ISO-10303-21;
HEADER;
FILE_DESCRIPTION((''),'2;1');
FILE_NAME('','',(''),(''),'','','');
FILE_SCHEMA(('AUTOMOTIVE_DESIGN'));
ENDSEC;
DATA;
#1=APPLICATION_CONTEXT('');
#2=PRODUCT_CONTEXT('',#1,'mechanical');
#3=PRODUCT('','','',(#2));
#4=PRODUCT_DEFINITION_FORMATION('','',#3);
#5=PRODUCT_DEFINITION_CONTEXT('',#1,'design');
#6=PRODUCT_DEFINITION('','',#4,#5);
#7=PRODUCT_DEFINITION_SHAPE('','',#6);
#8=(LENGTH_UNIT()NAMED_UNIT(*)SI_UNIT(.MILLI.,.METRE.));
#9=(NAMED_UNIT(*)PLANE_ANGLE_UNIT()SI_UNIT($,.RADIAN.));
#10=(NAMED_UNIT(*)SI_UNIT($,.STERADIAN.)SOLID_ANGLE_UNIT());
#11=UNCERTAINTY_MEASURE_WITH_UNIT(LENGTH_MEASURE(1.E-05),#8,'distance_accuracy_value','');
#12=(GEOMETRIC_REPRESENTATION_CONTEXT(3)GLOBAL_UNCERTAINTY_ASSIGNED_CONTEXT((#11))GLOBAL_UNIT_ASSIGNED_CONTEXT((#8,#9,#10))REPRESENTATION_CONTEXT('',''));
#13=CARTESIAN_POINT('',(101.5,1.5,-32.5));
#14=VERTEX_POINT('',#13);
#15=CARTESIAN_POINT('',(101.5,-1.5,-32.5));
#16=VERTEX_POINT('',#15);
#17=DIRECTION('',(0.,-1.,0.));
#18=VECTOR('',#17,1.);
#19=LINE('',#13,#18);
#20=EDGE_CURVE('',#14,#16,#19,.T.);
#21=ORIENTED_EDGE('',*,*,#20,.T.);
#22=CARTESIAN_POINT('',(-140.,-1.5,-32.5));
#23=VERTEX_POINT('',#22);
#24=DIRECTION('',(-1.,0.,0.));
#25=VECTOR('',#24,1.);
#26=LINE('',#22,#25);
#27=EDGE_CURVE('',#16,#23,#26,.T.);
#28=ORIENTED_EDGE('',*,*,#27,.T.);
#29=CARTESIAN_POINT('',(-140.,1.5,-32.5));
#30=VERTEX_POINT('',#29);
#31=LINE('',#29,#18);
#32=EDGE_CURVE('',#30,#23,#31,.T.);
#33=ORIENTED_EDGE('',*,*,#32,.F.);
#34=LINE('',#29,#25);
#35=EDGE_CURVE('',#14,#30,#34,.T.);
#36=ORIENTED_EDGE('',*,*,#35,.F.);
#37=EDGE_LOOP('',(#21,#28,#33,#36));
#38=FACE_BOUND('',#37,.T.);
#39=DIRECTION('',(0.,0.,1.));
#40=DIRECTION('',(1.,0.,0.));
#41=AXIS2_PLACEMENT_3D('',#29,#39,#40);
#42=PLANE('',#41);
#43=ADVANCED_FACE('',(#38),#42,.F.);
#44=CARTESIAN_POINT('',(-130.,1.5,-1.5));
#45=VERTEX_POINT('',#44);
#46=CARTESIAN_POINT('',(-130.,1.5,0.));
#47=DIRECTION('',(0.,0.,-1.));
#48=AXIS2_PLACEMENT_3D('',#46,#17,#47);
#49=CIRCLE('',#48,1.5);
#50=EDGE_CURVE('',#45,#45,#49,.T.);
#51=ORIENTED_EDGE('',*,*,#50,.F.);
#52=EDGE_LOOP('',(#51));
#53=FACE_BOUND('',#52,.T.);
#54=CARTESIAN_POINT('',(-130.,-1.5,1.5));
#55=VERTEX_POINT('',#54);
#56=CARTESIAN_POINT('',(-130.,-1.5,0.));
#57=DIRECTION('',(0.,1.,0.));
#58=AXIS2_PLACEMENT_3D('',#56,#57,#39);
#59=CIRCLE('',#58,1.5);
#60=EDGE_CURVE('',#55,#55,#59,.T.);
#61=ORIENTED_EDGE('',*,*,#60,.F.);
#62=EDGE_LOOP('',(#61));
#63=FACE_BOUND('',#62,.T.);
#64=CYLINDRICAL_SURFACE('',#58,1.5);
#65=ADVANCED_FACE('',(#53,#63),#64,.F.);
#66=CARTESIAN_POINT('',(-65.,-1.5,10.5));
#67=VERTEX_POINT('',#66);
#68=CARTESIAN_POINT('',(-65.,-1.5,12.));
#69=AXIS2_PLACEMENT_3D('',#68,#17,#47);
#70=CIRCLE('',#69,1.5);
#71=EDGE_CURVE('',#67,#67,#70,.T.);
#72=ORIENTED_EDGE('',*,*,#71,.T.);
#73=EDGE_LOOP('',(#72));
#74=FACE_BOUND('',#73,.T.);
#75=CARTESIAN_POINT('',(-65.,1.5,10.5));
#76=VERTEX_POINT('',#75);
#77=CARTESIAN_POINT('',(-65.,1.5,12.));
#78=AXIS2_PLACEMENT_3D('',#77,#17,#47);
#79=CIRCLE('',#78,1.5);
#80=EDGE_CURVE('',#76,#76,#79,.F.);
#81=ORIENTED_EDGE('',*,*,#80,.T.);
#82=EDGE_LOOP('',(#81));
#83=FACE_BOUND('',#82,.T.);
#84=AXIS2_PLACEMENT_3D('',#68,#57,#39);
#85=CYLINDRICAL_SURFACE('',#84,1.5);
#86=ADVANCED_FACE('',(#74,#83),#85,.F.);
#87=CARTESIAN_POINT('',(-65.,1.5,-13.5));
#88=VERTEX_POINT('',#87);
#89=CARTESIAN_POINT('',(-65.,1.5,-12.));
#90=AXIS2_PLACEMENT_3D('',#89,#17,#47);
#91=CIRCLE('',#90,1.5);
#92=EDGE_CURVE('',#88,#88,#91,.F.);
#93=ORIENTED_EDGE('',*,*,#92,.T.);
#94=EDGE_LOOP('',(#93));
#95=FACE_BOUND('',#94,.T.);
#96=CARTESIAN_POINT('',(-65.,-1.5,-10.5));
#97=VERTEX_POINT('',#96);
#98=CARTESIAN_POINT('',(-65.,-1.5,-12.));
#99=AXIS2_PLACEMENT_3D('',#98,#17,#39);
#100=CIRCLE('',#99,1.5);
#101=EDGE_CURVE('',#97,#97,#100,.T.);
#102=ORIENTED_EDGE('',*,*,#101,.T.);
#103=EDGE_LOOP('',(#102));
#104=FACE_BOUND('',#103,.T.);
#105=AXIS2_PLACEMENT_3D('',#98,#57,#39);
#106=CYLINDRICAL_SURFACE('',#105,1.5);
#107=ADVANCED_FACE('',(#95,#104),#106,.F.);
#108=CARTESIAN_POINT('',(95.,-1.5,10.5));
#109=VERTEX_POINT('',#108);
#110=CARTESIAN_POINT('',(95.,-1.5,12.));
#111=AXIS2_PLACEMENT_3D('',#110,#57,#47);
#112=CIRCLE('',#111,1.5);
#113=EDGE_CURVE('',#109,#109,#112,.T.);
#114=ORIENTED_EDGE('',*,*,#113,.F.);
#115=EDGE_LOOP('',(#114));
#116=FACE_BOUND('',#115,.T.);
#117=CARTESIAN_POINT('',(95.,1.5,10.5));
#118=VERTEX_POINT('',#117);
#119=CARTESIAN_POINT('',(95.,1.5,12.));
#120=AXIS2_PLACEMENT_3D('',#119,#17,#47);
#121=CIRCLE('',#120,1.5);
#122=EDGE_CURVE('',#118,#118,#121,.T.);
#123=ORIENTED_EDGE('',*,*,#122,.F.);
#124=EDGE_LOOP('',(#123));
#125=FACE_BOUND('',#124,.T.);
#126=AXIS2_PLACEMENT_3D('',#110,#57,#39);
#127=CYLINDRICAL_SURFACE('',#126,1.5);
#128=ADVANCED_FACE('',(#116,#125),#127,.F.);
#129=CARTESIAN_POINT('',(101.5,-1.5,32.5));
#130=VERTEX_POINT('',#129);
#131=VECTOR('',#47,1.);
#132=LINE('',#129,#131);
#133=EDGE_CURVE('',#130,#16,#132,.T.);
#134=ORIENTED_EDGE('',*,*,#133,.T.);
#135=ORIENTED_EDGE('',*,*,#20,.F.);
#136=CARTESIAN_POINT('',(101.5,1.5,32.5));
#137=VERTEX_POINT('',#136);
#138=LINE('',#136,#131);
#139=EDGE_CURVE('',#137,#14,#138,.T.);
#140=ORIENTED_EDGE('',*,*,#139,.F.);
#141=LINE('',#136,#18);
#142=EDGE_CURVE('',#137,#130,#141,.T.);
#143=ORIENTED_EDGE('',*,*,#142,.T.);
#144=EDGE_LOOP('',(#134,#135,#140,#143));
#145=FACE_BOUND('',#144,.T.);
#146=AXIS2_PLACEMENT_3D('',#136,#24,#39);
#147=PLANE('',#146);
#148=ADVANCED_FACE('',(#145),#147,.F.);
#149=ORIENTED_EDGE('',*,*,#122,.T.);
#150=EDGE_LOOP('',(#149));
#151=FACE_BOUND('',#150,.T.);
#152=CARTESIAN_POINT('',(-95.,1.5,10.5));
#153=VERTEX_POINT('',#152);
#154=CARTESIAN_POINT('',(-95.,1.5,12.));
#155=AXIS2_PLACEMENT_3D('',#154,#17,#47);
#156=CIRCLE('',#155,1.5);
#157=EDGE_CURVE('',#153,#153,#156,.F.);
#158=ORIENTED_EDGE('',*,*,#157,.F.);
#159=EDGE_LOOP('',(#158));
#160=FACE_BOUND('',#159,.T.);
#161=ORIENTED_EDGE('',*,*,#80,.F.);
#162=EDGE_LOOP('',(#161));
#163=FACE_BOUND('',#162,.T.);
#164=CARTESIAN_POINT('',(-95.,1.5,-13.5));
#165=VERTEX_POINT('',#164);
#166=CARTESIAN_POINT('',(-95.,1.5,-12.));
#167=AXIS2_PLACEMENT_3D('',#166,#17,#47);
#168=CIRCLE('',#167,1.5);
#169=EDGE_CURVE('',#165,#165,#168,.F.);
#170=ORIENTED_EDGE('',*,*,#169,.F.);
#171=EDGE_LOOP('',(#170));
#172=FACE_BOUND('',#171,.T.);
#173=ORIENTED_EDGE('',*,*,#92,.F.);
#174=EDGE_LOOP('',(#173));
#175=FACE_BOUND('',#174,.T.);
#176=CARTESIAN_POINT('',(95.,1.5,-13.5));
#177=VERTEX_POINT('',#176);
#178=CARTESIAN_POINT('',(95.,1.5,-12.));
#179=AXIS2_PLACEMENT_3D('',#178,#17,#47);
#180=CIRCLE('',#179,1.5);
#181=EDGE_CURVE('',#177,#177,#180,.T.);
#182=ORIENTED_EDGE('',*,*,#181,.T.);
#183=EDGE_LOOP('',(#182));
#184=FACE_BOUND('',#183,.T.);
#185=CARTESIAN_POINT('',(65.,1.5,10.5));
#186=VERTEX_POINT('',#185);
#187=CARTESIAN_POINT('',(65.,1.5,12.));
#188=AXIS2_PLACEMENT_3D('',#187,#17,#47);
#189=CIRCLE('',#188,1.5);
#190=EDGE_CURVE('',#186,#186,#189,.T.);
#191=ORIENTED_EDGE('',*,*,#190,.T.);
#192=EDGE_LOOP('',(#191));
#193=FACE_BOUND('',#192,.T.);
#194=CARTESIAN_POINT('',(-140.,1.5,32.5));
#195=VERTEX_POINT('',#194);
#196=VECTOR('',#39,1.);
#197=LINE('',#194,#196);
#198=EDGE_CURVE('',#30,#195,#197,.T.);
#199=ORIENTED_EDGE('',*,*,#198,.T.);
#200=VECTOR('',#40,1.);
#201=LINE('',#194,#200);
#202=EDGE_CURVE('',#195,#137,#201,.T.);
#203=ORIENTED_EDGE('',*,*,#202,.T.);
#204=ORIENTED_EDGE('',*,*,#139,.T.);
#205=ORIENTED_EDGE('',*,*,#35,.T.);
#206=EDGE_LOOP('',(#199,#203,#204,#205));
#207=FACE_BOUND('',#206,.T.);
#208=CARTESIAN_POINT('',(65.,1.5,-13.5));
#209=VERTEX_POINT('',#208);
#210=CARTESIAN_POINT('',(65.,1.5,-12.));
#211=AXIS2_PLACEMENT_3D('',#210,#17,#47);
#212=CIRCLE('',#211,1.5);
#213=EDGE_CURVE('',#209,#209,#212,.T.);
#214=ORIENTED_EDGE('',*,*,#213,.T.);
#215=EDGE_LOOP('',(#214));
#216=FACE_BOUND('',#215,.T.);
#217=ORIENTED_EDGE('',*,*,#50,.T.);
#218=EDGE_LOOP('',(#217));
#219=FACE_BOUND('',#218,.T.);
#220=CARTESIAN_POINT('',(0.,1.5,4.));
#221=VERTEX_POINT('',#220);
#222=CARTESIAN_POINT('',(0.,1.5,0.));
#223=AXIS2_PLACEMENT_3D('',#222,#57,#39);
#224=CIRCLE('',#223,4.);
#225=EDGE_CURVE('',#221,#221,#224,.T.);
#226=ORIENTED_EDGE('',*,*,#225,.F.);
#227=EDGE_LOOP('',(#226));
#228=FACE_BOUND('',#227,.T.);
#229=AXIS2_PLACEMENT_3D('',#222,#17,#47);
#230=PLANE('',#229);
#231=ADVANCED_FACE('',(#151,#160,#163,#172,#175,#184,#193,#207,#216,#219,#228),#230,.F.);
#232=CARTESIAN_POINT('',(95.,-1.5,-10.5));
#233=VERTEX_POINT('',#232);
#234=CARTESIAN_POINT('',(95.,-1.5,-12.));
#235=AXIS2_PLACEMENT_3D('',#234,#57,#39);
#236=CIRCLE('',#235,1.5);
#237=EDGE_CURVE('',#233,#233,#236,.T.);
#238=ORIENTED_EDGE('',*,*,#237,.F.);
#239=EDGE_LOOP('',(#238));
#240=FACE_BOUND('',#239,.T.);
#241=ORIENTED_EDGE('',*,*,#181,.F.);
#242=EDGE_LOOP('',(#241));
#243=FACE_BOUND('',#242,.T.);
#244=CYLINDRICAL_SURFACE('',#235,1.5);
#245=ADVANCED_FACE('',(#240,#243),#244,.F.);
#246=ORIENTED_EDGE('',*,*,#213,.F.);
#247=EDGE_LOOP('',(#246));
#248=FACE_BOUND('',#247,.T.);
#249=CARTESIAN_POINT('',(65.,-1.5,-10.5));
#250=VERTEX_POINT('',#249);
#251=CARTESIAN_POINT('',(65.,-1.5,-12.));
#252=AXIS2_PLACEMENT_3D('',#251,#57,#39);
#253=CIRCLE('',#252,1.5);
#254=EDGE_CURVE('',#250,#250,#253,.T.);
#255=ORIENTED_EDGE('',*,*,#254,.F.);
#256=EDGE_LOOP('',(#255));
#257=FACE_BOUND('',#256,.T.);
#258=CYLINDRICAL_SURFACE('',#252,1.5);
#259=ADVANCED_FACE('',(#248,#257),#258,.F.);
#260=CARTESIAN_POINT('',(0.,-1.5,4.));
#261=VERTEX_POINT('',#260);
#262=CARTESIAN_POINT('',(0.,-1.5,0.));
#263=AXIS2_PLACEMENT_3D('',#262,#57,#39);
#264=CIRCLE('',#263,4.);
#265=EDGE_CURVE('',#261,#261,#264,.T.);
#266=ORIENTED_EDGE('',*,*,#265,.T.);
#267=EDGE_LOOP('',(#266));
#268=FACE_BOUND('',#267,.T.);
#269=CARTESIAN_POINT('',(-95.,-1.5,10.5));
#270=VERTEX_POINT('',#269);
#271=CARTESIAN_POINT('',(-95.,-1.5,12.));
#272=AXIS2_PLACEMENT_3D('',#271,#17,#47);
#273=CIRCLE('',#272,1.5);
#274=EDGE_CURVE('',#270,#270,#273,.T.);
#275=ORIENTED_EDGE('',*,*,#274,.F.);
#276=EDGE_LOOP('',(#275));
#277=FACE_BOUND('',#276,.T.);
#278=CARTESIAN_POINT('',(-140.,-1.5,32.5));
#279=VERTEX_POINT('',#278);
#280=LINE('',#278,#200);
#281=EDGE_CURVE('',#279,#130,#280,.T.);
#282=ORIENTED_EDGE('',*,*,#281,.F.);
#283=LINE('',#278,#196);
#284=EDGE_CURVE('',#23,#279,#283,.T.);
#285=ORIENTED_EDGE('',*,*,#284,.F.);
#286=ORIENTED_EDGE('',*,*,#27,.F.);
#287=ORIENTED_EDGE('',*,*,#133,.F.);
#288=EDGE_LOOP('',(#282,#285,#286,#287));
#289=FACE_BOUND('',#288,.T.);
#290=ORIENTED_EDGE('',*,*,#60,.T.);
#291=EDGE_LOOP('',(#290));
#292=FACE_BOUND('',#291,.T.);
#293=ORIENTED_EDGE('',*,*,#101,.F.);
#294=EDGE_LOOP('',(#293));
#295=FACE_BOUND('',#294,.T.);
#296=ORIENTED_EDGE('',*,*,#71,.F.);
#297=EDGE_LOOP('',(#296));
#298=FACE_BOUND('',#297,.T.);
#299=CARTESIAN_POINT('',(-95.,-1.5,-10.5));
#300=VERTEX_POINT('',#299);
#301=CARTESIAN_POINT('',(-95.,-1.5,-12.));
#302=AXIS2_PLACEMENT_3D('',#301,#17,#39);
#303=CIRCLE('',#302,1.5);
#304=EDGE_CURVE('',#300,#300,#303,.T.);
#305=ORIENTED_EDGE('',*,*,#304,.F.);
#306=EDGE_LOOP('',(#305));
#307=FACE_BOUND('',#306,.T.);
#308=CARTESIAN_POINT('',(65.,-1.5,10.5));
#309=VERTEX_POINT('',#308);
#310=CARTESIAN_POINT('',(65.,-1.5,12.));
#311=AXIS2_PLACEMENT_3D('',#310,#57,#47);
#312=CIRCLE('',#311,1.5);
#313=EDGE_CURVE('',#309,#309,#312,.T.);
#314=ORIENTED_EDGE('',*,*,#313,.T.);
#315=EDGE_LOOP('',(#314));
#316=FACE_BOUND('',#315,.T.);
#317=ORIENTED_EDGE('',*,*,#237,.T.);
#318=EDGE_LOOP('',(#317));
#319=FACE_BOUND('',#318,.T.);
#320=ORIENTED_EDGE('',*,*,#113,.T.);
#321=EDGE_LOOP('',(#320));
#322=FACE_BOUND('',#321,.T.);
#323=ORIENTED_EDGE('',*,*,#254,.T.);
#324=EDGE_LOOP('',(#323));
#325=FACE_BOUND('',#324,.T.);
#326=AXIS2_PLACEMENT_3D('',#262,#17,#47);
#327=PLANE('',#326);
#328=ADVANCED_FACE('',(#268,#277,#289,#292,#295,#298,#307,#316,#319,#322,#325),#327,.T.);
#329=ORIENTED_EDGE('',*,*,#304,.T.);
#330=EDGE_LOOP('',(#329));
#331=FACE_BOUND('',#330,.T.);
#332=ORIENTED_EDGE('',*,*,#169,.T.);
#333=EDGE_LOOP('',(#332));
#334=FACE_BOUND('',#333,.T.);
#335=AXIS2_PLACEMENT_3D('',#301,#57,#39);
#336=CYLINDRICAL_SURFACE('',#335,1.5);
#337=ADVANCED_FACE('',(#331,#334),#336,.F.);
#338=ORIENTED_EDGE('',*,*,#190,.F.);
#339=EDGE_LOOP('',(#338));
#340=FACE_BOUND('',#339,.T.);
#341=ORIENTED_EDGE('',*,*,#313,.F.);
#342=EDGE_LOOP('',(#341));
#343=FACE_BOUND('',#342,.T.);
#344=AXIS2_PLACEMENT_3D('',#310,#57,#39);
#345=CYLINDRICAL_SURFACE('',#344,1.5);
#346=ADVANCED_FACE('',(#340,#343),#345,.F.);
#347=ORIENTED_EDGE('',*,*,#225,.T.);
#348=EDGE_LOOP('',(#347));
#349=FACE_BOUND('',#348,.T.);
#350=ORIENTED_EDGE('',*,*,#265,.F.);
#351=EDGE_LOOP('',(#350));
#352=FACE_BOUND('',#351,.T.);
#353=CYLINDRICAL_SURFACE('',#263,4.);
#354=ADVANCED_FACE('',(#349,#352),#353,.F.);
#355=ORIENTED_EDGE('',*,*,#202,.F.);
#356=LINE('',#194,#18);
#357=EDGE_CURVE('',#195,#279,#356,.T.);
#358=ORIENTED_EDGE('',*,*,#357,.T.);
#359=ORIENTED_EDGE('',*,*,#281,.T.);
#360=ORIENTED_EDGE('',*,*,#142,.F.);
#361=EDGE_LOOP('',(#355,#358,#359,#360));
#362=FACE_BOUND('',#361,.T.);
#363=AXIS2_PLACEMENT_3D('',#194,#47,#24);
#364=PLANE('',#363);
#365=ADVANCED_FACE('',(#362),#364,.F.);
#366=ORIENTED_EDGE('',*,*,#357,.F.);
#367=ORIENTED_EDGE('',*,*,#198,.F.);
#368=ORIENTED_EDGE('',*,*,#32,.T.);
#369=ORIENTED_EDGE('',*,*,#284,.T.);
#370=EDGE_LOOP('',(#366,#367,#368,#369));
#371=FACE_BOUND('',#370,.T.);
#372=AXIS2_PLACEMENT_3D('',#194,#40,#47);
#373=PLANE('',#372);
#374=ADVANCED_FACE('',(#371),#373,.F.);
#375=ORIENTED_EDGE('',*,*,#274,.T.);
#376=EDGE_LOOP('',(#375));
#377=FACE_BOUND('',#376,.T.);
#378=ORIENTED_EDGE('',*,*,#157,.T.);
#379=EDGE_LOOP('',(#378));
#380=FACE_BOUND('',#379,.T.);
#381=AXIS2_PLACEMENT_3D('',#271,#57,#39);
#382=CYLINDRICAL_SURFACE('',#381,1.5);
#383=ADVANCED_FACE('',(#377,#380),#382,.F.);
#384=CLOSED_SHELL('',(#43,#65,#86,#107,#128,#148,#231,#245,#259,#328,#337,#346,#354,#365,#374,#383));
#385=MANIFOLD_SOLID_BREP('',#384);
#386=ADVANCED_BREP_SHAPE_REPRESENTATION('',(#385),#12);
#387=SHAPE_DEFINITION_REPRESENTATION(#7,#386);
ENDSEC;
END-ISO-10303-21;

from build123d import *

# Parameters (mm, degrees)
SKETCH1_W               = 241.5
SKETCH1_H               = 65
BOSS_EXTRUDE1_DEPTH     = 1.5
SKETCH3_R               = 4
CUT_EXTRUDE2_DEPTH      = 144.754130375
SKETCH4_R               = 1.5
CUT_EXTRUDE3_DEPTH      = 144.754130375
CUT_EXTRUDE4_DEPTH      = 144.754130375
CUT_EXTRUDE4_DEPTH_BACK = 144.754130375
SKETCH5_R               = 1.5


with BuildPart() as part:
    # Sketch1 → Boss-Extrude1 (new, symmetric)
    with BuildSketch(Plane(origin=(0, 0, 0), x_dir=(1, 0, 0), z_dir=(0, 1, 0))):
        with Locations((-19.25, 0)):
            Rectangle(SKETCH1_W, SKETCH1_H)
    extrude(amount=BOSS_EXTRUDE1_DEPTH, both=True)

    # Sketch3 → Cut-Extrude2 (cut, through all)
    with BuildSketch(Plane(origin=(0, 1.5, 0), x_dir=(1, 0, 0), z_dir=(0, 1, 0))):
        with Locations(Location((0, 0, 0), (0, 0, 270))):
            Circle(SKETCH3_R)
    extrude(amount=-CUT_EXTRUDE2_DEPTH, mode=Mode.SUBTRACT)

    # Sketch4 → Cut-Extrude3 (cut, symmetric)
    with BuildSketch(Plane(origin=(0, 1.5, 0), x_dir=(1, 0, 0), z_dir=(0, 1, 0))):
        with Locations(Location((65, 12, 0), (0, 0, 270))):
            Circle(SKETCH4_R)
        with Locations(Location((95, 12, 0), (0, 0, 270))):
            Circle(SKETCH4_R)
        with Locations(Location((95, -12, 0), (0, 0, 90))):
            Circle(SKETCH4_R)
        with Locations(Location((65, -12, 0), (0, 0, 90))):
            Circle(SKETCH4_R)
    cut_extrude3 = extrude(amount=CUT_EXTRUDE3_DEPTH, both=True, mode=Mode.SUBTRACT)

    # Mirror2: Cut-Extrude3 across plane
    add(cut_extrude3.mirror(Plane(origin=(0, 0, 0), x_dir=(0, 0, 1), z_dir=(1, 0, 0))), mode=Mode.SUBTRACT)

    # Sketch5 → Cut-Extrude4 (cut, two sides: drawn at the far end of the back side and taken through both)
    with BuildSketch(Plane(origin=(0, 1.5, 0), x_dir=(1, 0, 0), z_dir=(0, 1, 0)).offset(-CUT_EXTRUDE4_DEPTH_BACK)):
        with Locations(Location((-130, 0, 0), (0, 0, 270))):
            Circle(SKETCH5_R)
    extrude(amount=CUT_EXTRUDE4_DEPTH + CUT_EXTRUDE4_DEPTH_BACK, mode=Mode.SUBTRACT)


solid = part.part
